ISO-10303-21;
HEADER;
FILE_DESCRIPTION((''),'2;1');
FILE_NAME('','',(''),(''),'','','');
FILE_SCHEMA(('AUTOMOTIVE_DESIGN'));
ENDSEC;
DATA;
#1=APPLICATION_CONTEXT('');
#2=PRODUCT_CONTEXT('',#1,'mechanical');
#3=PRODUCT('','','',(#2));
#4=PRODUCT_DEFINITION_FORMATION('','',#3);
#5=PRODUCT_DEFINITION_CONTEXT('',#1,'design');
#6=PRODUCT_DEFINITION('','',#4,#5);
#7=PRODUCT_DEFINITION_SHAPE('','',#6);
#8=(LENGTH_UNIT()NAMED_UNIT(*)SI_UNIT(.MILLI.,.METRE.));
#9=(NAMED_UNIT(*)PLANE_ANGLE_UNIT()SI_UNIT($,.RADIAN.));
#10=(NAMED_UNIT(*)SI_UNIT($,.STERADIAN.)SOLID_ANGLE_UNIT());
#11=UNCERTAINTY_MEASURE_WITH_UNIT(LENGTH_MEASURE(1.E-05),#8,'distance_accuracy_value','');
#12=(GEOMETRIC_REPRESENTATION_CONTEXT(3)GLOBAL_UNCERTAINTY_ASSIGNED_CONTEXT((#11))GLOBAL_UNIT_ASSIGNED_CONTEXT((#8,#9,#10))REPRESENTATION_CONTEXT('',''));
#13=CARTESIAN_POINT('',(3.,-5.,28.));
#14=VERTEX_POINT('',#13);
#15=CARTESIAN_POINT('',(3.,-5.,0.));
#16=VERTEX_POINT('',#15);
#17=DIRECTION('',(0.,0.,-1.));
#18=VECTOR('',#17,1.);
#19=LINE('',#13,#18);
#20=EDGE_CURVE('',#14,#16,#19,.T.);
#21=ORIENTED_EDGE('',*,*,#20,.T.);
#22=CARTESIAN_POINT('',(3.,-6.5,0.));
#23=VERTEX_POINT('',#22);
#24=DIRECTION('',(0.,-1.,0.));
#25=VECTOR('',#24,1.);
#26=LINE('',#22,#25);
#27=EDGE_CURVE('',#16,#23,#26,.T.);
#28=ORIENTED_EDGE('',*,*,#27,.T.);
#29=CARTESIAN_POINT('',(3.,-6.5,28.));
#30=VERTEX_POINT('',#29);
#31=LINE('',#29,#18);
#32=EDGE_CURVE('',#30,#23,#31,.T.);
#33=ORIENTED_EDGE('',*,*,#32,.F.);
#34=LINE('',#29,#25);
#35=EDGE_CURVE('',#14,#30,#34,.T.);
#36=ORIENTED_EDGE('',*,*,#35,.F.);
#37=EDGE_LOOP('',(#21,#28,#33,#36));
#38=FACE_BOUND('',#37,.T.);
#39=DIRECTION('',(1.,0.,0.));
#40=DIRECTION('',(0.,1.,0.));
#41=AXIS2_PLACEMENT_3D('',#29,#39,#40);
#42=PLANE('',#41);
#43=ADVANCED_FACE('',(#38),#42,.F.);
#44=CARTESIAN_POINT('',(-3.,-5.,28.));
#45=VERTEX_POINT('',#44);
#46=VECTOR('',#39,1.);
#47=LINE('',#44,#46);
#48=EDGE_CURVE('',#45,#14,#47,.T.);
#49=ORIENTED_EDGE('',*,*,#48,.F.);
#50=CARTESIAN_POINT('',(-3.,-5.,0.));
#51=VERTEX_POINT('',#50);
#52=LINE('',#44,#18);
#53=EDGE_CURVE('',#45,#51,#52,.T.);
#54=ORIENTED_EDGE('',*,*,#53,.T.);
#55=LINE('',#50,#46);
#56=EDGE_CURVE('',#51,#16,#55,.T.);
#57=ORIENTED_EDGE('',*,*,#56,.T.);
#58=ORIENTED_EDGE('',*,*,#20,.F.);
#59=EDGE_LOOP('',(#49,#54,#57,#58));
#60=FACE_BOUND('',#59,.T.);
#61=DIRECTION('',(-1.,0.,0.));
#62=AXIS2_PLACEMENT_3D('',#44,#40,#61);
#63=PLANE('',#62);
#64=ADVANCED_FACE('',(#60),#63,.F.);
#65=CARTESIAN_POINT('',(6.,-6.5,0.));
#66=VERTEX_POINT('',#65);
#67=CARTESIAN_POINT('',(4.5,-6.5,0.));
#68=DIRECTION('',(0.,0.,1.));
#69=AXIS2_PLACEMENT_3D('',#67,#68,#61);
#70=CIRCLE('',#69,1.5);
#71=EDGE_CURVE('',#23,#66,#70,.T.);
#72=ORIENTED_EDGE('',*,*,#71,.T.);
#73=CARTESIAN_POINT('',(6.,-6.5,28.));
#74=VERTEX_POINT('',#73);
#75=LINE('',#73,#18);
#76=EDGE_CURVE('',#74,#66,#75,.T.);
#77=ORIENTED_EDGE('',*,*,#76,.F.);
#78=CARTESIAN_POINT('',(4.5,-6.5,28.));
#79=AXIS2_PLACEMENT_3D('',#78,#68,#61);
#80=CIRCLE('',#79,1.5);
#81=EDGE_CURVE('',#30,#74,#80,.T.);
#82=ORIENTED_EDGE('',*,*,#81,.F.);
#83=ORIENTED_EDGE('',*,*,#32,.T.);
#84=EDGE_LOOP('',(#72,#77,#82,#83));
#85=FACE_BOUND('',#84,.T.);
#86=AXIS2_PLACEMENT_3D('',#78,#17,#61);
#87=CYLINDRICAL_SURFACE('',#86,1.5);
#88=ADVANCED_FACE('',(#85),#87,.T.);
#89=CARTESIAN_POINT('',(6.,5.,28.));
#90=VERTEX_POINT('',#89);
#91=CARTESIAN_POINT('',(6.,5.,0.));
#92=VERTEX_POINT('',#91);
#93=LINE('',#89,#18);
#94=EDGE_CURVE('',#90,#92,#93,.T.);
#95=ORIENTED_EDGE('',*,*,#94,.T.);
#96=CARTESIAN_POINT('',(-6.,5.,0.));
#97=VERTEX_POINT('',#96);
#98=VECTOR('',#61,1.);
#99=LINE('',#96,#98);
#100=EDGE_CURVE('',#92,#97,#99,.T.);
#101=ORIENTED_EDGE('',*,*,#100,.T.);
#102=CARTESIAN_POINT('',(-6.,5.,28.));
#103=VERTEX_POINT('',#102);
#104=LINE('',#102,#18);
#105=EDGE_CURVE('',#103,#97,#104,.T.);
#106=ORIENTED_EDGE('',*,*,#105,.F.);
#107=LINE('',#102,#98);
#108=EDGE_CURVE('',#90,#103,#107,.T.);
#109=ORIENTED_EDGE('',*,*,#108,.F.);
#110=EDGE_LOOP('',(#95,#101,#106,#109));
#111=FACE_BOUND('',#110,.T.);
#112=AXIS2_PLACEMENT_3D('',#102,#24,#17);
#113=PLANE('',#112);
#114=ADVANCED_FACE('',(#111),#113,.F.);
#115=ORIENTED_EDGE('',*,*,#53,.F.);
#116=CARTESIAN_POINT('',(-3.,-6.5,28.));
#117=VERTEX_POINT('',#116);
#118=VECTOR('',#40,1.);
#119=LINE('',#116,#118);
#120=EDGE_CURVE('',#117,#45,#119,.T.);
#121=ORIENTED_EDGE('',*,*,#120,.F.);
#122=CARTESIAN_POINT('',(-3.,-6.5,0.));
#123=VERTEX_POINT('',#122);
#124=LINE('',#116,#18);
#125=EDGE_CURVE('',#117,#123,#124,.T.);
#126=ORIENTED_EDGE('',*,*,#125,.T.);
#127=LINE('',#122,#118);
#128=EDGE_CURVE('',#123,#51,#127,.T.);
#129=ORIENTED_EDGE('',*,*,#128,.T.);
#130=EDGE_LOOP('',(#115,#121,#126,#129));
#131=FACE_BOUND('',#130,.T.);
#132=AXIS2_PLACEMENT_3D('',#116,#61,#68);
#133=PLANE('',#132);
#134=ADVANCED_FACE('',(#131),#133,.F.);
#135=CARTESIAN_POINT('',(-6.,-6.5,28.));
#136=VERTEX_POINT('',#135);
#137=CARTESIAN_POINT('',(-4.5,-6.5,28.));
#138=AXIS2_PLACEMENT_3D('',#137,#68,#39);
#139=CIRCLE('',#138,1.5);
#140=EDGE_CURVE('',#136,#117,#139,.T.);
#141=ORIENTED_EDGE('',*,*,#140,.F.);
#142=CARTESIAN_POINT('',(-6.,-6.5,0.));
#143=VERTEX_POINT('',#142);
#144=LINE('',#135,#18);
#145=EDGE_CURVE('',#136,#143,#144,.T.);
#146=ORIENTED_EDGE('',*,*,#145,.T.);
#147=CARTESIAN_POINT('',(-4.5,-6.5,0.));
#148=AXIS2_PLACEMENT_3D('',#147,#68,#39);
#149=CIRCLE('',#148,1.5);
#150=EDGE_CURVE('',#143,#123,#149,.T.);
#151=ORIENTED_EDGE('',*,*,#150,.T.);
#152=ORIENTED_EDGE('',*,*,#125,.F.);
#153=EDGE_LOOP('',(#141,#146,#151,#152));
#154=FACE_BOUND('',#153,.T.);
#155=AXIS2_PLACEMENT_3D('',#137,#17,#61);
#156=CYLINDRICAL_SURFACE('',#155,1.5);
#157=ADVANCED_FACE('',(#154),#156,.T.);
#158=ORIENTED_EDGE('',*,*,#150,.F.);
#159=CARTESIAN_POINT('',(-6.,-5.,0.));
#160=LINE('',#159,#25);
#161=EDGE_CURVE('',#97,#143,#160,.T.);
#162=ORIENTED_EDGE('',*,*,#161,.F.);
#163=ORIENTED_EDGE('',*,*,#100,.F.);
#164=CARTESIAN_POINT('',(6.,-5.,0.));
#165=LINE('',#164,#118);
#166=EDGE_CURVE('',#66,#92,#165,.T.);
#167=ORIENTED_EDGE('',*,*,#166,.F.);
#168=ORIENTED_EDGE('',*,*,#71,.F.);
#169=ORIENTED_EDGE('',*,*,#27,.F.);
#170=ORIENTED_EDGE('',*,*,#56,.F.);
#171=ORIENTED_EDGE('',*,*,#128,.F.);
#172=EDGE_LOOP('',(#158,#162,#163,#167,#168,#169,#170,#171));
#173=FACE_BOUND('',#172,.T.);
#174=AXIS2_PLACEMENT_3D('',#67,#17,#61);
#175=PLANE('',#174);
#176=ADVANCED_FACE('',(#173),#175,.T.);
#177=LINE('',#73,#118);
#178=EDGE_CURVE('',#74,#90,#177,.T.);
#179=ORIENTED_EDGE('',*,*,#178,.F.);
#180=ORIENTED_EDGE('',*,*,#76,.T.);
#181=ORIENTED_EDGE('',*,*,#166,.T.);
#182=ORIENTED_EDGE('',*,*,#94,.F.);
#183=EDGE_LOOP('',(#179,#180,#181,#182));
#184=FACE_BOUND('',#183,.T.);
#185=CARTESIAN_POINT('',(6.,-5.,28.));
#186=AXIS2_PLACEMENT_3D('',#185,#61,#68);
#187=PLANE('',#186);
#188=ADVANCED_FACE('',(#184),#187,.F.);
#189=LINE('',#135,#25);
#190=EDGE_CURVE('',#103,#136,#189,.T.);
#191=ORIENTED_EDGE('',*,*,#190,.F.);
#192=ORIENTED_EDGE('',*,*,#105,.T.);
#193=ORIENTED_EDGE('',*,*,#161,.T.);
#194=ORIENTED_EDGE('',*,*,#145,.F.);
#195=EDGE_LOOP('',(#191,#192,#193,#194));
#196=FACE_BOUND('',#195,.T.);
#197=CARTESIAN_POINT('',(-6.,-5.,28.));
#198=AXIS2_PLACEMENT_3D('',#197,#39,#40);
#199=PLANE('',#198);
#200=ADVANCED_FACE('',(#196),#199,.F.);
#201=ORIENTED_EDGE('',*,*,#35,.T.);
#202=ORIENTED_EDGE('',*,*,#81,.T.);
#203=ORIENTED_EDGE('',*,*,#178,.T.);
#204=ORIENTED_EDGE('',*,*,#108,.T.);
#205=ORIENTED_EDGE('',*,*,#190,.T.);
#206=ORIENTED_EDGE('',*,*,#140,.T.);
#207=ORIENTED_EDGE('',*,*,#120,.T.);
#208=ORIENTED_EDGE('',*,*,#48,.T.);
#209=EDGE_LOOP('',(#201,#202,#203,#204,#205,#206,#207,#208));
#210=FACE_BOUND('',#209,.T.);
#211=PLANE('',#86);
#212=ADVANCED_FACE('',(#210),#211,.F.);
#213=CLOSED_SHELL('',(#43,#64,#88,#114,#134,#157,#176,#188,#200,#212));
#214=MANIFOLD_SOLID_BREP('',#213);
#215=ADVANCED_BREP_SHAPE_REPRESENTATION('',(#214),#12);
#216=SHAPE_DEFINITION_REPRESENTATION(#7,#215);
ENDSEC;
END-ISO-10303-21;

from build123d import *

# Parameters (mm, degrees)
BOSS_EXTRUDE1_DEPTH = 28


with BuildPart() as part:
    # Sketch1 → Boss-Extrude1 (new body)
    with BuildSketch(Plane.XY):
        with BuildLine():
            Line((-3, -5), (3, -5))
            Line((3, -5), (3, -6.5))
            ThreePointArc((3, -6.5), (4.5, -8), (6, -6.5))
            Line((6, -6.5), (6, -5))
            Line((6, -5), (6, 5))
            Line((6, 5), (-6, 5))
            Line((-6, 5), (-6, -5))
            Line((-6, -5), (-6, -6.5))
            ThreePointArc((-6, -6.5), (-4.5, -8), (-3, -6.5))
            Line((-3, -6.5), (-3, -5))
        make_face()
    extrude(amount=BOSS_EXTRUDE1_DEPTH)


solid = part.part
